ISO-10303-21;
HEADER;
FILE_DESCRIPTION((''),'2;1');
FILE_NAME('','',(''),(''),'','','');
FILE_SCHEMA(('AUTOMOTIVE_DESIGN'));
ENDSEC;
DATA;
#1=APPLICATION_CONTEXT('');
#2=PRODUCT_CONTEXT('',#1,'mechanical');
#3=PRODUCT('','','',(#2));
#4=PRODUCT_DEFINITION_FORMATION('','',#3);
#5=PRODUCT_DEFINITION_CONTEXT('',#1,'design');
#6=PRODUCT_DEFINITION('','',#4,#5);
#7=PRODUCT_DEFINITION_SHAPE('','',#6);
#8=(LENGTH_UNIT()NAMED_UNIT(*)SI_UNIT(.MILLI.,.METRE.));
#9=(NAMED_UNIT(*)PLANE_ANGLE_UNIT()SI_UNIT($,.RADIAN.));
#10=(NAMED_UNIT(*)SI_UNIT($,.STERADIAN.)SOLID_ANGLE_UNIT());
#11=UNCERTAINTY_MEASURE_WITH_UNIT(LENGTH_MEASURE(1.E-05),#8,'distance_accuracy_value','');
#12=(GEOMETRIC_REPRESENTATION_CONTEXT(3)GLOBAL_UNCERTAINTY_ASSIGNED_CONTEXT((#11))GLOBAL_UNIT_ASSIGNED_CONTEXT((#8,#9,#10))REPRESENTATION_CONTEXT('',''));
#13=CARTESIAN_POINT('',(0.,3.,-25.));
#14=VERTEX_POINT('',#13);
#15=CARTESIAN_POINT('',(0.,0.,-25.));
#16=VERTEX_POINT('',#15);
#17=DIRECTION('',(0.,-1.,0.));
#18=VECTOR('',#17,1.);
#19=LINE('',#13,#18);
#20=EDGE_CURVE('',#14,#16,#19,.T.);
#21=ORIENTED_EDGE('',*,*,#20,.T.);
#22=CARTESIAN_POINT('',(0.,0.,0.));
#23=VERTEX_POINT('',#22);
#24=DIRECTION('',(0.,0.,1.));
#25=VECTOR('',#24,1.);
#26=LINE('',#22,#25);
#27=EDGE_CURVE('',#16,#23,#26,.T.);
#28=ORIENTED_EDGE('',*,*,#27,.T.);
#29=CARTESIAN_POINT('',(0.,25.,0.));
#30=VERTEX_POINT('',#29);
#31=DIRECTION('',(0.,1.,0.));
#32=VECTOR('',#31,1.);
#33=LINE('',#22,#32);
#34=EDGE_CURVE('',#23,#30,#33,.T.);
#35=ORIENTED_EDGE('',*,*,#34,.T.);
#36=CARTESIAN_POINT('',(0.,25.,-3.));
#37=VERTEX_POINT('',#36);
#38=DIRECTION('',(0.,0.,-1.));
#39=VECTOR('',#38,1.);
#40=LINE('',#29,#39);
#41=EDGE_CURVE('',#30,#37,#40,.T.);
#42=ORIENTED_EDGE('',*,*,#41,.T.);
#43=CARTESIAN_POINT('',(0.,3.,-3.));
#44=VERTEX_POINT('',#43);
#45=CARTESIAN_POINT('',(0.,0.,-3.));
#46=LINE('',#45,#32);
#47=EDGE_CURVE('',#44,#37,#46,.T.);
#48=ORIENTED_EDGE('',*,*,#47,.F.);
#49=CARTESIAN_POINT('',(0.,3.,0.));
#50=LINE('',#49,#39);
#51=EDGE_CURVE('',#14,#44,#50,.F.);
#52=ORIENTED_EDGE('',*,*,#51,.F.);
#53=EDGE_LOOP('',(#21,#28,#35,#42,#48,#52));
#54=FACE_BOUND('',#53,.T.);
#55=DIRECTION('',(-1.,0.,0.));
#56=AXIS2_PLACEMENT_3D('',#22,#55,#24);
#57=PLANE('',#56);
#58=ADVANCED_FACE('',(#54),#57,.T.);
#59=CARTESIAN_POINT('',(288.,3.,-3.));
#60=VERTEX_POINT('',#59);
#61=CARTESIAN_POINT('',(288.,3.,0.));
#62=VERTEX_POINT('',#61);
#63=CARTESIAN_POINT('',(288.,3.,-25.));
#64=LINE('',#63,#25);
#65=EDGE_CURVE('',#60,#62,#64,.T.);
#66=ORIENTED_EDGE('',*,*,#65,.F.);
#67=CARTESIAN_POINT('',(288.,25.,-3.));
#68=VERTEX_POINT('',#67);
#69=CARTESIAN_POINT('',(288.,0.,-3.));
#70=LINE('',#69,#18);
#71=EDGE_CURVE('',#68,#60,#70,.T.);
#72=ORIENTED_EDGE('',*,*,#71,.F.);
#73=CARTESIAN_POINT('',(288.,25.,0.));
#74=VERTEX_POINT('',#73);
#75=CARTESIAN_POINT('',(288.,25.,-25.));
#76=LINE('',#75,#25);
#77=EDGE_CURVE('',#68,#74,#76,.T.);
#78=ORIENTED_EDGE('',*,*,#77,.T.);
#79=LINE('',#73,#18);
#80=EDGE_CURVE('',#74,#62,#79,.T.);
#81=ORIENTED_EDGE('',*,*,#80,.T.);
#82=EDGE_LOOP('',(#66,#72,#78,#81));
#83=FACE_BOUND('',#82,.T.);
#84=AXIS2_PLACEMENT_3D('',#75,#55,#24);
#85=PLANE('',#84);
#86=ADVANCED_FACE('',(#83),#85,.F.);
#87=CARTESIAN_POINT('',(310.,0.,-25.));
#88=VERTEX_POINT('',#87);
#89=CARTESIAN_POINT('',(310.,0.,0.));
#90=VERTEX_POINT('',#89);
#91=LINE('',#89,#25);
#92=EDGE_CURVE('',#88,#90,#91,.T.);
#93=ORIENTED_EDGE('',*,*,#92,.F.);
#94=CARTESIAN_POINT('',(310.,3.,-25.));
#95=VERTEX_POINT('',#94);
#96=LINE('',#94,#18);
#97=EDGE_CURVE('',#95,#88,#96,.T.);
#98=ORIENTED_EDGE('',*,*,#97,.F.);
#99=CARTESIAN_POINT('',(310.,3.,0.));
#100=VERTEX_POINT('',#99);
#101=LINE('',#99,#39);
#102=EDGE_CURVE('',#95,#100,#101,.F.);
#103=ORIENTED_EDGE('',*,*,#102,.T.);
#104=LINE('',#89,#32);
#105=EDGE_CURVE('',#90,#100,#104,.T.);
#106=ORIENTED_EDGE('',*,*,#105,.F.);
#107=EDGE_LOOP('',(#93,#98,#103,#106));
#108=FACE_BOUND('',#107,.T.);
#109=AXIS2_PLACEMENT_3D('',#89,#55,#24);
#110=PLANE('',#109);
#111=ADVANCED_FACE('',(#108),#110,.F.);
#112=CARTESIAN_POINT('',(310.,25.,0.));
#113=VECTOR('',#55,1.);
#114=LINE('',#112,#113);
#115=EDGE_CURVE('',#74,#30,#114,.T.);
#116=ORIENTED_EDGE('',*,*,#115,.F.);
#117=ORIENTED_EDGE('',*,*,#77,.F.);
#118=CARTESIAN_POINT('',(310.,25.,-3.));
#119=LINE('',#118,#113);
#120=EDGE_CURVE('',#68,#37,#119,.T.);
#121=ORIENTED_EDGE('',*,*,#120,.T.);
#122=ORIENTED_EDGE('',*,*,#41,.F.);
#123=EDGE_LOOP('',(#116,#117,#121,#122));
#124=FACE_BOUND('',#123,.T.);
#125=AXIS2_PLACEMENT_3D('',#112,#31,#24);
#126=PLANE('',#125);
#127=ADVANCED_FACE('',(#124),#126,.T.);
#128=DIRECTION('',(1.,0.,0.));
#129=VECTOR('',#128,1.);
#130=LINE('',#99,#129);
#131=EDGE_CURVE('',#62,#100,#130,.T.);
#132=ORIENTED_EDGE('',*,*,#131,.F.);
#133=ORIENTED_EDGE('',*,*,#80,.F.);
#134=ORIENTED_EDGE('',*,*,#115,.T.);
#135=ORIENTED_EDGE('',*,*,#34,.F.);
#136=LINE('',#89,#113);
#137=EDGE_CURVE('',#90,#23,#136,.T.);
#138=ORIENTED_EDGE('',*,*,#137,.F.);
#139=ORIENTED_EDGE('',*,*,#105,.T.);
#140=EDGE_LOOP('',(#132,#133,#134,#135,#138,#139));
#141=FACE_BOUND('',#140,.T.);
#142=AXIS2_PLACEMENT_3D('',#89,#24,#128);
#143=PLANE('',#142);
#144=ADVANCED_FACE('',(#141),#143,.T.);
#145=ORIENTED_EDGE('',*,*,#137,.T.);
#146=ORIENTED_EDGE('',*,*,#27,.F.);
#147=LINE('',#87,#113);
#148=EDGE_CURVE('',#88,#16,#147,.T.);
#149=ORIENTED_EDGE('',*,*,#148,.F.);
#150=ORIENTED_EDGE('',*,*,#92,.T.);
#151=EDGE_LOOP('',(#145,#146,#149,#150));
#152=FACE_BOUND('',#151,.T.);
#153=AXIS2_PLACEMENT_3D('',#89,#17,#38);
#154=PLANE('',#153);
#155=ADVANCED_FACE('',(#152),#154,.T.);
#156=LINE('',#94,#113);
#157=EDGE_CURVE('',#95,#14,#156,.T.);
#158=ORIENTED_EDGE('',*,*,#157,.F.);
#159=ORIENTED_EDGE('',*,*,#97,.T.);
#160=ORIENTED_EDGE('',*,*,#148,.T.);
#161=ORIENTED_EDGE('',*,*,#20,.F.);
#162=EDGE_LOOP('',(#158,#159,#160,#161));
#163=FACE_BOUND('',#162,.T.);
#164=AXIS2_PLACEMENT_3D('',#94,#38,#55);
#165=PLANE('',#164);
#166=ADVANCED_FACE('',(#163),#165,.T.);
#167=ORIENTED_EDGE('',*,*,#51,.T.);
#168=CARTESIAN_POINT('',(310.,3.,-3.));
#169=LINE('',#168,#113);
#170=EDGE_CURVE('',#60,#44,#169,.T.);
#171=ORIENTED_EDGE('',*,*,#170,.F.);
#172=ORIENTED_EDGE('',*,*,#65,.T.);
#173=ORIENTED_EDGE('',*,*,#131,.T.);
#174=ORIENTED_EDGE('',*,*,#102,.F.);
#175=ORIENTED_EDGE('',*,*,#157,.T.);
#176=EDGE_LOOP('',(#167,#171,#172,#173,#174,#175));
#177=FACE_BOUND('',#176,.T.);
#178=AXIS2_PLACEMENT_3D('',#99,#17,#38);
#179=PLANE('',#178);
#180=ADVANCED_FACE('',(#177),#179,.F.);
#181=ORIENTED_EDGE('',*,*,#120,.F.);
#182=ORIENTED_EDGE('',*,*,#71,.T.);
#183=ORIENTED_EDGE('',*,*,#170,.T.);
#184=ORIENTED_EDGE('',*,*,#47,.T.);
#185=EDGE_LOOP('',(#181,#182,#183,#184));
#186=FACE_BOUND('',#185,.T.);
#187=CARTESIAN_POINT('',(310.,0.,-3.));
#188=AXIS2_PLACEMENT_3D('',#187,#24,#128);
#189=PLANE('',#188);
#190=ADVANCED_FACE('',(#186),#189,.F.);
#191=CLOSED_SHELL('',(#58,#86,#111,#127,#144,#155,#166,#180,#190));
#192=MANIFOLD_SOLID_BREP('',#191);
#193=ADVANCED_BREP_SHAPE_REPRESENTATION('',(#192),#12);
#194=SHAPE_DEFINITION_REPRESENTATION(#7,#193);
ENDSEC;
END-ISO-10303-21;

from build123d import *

# Parameters (mm, degrees)
EXTRUDE_1_DEPTH     = 310
SKETCH_2_W          = 22
SKETCH_2_H          = 22
CUT_EXTRUDE_1_DEPTH = 26


with BuildPart() as part:
    # Эскиз1 → Вытянуть-Тонкостенный1 (new body)
    with BuildSketch(Plane(origin=(0, 0, 0), x_dir=(0, 0, -1), z_dir=(1, 0, 0))):
        Polygon((0, 25), (0, 0), (25, 0), (25, 3), (3, 3), (3, 25), align=None)
    extrude(amount=EXTRUDE_1_DEPTH)

    # Эскиз2 → Вырез-Вытянуть1 (cut, through all)
    with BuildSketch(Plane.XY):
        with Locations((299, 14)):
            Rectangle(SKETCH_2_W, SKETCH_2_H)
    extrude(amount=-CUT_EXTRUDE_1_DEPTH, mode=Mode.SUBTRACT)


solid = part.part
